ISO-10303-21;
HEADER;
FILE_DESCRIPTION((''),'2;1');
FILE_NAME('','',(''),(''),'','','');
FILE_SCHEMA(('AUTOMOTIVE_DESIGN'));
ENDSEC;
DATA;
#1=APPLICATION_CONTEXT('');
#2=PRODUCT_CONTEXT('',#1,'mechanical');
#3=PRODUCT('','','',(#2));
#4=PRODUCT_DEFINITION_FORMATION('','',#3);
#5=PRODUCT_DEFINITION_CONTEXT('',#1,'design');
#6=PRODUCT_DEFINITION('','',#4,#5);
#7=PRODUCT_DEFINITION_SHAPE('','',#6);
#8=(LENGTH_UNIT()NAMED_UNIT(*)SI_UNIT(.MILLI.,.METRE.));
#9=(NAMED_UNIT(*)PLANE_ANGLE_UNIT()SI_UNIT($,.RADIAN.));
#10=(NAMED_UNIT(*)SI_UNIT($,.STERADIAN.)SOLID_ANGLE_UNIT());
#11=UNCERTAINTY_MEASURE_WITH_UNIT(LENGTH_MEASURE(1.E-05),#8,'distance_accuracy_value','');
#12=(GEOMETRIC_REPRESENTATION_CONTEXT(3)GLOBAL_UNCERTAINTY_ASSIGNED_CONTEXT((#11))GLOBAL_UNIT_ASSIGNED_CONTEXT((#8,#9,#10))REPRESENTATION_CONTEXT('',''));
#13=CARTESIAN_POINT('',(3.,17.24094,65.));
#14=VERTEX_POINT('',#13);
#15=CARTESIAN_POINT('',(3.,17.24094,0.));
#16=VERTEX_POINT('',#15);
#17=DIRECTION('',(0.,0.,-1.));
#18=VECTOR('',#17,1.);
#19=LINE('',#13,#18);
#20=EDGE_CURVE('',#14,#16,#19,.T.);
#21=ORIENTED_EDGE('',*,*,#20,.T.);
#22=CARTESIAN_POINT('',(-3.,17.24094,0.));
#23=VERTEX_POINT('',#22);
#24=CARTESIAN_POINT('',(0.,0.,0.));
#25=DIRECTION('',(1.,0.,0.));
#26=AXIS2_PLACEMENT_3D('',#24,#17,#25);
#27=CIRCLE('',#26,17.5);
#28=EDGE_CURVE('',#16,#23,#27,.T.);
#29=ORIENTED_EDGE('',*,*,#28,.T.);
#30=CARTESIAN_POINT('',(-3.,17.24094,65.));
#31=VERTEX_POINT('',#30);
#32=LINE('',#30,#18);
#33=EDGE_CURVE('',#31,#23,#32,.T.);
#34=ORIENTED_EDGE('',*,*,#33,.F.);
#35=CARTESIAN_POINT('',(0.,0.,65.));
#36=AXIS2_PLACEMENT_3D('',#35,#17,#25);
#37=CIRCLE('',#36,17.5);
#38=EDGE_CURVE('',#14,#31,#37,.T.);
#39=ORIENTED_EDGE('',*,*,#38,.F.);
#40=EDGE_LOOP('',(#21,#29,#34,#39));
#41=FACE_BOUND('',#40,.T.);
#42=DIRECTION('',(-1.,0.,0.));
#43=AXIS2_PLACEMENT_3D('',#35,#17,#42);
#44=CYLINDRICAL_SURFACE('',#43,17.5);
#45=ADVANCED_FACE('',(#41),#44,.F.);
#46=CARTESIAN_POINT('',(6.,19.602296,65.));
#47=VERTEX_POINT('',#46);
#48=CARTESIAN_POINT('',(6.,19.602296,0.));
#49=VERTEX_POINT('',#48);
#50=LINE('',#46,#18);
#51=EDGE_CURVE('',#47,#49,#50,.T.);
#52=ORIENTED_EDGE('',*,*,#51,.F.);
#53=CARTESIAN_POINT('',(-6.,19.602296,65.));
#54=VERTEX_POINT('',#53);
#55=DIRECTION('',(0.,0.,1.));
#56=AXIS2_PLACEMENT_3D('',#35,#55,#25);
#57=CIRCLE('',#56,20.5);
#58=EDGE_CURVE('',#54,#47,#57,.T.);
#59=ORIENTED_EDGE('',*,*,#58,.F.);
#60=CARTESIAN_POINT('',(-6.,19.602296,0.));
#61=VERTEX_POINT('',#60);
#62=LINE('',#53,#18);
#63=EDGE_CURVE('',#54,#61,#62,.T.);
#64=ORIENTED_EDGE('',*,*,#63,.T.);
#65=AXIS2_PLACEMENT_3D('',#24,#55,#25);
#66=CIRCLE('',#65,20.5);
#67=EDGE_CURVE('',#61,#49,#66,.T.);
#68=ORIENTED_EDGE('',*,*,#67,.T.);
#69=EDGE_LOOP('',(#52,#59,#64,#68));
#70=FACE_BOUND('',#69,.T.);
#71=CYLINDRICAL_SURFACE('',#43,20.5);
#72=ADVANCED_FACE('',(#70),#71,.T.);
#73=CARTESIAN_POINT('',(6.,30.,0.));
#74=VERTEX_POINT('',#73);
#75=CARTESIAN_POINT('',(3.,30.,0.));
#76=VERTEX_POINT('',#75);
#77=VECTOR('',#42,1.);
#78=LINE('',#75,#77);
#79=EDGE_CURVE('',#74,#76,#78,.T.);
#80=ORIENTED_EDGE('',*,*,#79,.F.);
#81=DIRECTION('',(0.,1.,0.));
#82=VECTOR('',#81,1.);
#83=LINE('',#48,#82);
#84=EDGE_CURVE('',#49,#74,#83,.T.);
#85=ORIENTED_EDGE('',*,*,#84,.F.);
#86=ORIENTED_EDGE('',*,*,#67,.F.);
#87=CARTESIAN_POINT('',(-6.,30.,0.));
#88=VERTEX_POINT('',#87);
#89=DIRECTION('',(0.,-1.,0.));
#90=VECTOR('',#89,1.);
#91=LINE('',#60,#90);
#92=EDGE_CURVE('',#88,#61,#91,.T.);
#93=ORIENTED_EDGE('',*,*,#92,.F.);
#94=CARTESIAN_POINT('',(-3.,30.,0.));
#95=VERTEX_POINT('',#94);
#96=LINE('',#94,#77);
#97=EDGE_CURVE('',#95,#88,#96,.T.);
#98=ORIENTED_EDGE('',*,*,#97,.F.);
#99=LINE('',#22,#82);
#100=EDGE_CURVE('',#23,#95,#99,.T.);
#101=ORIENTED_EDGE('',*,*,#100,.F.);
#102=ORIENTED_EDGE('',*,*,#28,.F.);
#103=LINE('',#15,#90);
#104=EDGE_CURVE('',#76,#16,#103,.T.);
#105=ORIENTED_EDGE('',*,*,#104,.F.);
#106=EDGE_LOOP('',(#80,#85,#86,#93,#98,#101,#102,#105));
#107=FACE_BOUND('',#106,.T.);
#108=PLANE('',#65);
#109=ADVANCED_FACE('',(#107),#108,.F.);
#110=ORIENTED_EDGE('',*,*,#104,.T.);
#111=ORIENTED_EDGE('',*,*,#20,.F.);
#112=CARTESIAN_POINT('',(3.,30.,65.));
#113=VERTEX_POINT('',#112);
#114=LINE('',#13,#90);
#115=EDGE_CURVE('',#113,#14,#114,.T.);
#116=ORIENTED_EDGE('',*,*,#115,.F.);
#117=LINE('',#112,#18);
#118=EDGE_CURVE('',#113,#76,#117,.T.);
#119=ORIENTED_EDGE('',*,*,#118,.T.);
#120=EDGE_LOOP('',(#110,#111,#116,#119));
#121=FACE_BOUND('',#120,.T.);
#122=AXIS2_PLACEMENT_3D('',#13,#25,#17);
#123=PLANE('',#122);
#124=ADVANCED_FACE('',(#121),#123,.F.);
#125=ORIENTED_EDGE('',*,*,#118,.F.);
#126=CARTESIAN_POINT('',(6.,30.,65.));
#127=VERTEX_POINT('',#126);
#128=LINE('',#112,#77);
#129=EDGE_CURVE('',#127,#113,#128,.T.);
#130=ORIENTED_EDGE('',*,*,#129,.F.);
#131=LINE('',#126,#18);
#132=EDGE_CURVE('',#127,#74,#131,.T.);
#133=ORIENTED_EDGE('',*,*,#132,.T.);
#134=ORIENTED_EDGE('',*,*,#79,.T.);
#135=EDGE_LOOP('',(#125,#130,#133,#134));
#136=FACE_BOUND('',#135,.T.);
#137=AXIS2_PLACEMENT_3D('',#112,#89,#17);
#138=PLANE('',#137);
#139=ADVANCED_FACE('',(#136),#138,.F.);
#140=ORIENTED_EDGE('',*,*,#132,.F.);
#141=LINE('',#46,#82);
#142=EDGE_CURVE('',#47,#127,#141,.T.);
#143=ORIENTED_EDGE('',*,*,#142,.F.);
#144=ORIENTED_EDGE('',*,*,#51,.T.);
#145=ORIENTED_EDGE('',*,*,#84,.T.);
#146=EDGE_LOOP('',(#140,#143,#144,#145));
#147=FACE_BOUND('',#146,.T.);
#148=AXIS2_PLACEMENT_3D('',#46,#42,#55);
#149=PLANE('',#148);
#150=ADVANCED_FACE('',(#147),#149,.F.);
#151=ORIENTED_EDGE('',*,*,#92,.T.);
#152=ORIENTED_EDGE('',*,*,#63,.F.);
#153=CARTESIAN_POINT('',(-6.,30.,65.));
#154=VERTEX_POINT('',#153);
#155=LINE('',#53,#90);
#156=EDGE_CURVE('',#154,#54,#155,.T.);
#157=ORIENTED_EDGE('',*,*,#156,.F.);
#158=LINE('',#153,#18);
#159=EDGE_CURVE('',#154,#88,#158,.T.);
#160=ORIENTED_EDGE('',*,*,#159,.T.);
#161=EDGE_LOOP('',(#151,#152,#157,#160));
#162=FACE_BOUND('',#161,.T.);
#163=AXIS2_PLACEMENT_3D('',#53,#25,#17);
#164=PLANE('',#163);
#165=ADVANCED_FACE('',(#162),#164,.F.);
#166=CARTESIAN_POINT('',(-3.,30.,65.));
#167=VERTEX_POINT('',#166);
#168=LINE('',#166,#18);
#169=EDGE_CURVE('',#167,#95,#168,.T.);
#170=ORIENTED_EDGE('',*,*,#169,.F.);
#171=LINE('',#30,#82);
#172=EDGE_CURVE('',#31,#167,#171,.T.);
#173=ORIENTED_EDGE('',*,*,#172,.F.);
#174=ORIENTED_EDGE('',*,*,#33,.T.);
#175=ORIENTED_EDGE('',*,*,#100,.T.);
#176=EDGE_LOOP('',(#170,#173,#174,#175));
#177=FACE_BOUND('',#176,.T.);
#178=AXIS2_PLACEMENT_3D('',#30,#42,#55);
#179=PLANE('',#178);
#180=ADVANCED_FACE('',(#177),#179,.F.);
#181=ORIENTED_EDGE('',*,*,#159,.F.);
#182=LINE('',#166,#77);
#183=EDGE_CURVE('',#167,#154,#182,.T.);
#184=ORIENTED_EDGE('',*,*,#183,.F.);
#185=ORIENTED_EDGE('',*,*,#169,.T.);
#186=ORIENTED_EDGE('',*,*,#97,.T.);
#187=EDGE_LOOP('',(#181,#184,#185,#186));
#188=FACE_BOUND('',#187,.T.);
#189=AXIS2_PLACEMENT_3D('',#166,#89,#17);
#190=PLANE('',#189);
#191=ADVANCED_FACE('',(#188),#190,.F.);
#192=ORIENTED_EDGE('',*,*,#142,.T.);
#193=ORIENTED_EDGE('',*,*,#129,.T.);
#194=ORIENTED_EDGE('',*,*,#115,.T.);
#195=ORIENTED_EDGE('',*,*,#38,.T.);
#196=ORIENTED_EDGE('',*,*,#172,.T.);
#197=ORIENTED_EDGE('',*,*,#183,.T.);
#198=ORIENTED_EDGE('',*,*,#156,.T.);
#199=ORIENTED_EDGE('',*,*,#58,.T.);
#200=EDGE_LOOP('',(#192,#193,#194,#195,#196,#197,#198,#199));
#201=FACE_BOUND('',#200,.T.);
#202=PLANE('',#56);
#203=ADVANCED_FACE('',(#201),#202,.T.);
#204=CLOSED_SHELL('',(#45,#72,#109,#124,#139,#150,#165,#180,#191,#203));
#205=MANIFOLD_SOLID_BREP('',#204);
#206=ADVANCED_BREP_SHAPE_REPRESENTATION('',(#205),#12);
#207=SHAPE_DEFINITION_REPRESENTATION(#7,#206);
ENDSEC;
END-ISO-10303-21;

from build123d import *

# Parameters (mm, degrees)
BOSS_EXTRUDE1_DEPTH = 65


with BuildPart() as part:
    # Sketch1 → Boss-Extrude1 (new body)
    with BuildSketch(Plane.XY):
        with BuildLine():
            Line((3, 17.24093965), (3, 30))
            Line((3, 30), (6, 30))
            Line((6, 30), (6, 19.602295784))
            ThreePointArc((6, 19.602295784), (0, -20.5), (-6, 19.602295784))
            Line((-6, 19.602295784), (-6, 30))
            Line((-6, 30), (-3, 30))
            Line((-3, 30), (-3, 17.24093965))
            ThreePointArc((-3, 17.24093965), (0, -17.5), (3, 17.24093965))
        make_face()
    extrude(amount=BOSS_EXTRUDE1_DEPTH)


solid = part.part
